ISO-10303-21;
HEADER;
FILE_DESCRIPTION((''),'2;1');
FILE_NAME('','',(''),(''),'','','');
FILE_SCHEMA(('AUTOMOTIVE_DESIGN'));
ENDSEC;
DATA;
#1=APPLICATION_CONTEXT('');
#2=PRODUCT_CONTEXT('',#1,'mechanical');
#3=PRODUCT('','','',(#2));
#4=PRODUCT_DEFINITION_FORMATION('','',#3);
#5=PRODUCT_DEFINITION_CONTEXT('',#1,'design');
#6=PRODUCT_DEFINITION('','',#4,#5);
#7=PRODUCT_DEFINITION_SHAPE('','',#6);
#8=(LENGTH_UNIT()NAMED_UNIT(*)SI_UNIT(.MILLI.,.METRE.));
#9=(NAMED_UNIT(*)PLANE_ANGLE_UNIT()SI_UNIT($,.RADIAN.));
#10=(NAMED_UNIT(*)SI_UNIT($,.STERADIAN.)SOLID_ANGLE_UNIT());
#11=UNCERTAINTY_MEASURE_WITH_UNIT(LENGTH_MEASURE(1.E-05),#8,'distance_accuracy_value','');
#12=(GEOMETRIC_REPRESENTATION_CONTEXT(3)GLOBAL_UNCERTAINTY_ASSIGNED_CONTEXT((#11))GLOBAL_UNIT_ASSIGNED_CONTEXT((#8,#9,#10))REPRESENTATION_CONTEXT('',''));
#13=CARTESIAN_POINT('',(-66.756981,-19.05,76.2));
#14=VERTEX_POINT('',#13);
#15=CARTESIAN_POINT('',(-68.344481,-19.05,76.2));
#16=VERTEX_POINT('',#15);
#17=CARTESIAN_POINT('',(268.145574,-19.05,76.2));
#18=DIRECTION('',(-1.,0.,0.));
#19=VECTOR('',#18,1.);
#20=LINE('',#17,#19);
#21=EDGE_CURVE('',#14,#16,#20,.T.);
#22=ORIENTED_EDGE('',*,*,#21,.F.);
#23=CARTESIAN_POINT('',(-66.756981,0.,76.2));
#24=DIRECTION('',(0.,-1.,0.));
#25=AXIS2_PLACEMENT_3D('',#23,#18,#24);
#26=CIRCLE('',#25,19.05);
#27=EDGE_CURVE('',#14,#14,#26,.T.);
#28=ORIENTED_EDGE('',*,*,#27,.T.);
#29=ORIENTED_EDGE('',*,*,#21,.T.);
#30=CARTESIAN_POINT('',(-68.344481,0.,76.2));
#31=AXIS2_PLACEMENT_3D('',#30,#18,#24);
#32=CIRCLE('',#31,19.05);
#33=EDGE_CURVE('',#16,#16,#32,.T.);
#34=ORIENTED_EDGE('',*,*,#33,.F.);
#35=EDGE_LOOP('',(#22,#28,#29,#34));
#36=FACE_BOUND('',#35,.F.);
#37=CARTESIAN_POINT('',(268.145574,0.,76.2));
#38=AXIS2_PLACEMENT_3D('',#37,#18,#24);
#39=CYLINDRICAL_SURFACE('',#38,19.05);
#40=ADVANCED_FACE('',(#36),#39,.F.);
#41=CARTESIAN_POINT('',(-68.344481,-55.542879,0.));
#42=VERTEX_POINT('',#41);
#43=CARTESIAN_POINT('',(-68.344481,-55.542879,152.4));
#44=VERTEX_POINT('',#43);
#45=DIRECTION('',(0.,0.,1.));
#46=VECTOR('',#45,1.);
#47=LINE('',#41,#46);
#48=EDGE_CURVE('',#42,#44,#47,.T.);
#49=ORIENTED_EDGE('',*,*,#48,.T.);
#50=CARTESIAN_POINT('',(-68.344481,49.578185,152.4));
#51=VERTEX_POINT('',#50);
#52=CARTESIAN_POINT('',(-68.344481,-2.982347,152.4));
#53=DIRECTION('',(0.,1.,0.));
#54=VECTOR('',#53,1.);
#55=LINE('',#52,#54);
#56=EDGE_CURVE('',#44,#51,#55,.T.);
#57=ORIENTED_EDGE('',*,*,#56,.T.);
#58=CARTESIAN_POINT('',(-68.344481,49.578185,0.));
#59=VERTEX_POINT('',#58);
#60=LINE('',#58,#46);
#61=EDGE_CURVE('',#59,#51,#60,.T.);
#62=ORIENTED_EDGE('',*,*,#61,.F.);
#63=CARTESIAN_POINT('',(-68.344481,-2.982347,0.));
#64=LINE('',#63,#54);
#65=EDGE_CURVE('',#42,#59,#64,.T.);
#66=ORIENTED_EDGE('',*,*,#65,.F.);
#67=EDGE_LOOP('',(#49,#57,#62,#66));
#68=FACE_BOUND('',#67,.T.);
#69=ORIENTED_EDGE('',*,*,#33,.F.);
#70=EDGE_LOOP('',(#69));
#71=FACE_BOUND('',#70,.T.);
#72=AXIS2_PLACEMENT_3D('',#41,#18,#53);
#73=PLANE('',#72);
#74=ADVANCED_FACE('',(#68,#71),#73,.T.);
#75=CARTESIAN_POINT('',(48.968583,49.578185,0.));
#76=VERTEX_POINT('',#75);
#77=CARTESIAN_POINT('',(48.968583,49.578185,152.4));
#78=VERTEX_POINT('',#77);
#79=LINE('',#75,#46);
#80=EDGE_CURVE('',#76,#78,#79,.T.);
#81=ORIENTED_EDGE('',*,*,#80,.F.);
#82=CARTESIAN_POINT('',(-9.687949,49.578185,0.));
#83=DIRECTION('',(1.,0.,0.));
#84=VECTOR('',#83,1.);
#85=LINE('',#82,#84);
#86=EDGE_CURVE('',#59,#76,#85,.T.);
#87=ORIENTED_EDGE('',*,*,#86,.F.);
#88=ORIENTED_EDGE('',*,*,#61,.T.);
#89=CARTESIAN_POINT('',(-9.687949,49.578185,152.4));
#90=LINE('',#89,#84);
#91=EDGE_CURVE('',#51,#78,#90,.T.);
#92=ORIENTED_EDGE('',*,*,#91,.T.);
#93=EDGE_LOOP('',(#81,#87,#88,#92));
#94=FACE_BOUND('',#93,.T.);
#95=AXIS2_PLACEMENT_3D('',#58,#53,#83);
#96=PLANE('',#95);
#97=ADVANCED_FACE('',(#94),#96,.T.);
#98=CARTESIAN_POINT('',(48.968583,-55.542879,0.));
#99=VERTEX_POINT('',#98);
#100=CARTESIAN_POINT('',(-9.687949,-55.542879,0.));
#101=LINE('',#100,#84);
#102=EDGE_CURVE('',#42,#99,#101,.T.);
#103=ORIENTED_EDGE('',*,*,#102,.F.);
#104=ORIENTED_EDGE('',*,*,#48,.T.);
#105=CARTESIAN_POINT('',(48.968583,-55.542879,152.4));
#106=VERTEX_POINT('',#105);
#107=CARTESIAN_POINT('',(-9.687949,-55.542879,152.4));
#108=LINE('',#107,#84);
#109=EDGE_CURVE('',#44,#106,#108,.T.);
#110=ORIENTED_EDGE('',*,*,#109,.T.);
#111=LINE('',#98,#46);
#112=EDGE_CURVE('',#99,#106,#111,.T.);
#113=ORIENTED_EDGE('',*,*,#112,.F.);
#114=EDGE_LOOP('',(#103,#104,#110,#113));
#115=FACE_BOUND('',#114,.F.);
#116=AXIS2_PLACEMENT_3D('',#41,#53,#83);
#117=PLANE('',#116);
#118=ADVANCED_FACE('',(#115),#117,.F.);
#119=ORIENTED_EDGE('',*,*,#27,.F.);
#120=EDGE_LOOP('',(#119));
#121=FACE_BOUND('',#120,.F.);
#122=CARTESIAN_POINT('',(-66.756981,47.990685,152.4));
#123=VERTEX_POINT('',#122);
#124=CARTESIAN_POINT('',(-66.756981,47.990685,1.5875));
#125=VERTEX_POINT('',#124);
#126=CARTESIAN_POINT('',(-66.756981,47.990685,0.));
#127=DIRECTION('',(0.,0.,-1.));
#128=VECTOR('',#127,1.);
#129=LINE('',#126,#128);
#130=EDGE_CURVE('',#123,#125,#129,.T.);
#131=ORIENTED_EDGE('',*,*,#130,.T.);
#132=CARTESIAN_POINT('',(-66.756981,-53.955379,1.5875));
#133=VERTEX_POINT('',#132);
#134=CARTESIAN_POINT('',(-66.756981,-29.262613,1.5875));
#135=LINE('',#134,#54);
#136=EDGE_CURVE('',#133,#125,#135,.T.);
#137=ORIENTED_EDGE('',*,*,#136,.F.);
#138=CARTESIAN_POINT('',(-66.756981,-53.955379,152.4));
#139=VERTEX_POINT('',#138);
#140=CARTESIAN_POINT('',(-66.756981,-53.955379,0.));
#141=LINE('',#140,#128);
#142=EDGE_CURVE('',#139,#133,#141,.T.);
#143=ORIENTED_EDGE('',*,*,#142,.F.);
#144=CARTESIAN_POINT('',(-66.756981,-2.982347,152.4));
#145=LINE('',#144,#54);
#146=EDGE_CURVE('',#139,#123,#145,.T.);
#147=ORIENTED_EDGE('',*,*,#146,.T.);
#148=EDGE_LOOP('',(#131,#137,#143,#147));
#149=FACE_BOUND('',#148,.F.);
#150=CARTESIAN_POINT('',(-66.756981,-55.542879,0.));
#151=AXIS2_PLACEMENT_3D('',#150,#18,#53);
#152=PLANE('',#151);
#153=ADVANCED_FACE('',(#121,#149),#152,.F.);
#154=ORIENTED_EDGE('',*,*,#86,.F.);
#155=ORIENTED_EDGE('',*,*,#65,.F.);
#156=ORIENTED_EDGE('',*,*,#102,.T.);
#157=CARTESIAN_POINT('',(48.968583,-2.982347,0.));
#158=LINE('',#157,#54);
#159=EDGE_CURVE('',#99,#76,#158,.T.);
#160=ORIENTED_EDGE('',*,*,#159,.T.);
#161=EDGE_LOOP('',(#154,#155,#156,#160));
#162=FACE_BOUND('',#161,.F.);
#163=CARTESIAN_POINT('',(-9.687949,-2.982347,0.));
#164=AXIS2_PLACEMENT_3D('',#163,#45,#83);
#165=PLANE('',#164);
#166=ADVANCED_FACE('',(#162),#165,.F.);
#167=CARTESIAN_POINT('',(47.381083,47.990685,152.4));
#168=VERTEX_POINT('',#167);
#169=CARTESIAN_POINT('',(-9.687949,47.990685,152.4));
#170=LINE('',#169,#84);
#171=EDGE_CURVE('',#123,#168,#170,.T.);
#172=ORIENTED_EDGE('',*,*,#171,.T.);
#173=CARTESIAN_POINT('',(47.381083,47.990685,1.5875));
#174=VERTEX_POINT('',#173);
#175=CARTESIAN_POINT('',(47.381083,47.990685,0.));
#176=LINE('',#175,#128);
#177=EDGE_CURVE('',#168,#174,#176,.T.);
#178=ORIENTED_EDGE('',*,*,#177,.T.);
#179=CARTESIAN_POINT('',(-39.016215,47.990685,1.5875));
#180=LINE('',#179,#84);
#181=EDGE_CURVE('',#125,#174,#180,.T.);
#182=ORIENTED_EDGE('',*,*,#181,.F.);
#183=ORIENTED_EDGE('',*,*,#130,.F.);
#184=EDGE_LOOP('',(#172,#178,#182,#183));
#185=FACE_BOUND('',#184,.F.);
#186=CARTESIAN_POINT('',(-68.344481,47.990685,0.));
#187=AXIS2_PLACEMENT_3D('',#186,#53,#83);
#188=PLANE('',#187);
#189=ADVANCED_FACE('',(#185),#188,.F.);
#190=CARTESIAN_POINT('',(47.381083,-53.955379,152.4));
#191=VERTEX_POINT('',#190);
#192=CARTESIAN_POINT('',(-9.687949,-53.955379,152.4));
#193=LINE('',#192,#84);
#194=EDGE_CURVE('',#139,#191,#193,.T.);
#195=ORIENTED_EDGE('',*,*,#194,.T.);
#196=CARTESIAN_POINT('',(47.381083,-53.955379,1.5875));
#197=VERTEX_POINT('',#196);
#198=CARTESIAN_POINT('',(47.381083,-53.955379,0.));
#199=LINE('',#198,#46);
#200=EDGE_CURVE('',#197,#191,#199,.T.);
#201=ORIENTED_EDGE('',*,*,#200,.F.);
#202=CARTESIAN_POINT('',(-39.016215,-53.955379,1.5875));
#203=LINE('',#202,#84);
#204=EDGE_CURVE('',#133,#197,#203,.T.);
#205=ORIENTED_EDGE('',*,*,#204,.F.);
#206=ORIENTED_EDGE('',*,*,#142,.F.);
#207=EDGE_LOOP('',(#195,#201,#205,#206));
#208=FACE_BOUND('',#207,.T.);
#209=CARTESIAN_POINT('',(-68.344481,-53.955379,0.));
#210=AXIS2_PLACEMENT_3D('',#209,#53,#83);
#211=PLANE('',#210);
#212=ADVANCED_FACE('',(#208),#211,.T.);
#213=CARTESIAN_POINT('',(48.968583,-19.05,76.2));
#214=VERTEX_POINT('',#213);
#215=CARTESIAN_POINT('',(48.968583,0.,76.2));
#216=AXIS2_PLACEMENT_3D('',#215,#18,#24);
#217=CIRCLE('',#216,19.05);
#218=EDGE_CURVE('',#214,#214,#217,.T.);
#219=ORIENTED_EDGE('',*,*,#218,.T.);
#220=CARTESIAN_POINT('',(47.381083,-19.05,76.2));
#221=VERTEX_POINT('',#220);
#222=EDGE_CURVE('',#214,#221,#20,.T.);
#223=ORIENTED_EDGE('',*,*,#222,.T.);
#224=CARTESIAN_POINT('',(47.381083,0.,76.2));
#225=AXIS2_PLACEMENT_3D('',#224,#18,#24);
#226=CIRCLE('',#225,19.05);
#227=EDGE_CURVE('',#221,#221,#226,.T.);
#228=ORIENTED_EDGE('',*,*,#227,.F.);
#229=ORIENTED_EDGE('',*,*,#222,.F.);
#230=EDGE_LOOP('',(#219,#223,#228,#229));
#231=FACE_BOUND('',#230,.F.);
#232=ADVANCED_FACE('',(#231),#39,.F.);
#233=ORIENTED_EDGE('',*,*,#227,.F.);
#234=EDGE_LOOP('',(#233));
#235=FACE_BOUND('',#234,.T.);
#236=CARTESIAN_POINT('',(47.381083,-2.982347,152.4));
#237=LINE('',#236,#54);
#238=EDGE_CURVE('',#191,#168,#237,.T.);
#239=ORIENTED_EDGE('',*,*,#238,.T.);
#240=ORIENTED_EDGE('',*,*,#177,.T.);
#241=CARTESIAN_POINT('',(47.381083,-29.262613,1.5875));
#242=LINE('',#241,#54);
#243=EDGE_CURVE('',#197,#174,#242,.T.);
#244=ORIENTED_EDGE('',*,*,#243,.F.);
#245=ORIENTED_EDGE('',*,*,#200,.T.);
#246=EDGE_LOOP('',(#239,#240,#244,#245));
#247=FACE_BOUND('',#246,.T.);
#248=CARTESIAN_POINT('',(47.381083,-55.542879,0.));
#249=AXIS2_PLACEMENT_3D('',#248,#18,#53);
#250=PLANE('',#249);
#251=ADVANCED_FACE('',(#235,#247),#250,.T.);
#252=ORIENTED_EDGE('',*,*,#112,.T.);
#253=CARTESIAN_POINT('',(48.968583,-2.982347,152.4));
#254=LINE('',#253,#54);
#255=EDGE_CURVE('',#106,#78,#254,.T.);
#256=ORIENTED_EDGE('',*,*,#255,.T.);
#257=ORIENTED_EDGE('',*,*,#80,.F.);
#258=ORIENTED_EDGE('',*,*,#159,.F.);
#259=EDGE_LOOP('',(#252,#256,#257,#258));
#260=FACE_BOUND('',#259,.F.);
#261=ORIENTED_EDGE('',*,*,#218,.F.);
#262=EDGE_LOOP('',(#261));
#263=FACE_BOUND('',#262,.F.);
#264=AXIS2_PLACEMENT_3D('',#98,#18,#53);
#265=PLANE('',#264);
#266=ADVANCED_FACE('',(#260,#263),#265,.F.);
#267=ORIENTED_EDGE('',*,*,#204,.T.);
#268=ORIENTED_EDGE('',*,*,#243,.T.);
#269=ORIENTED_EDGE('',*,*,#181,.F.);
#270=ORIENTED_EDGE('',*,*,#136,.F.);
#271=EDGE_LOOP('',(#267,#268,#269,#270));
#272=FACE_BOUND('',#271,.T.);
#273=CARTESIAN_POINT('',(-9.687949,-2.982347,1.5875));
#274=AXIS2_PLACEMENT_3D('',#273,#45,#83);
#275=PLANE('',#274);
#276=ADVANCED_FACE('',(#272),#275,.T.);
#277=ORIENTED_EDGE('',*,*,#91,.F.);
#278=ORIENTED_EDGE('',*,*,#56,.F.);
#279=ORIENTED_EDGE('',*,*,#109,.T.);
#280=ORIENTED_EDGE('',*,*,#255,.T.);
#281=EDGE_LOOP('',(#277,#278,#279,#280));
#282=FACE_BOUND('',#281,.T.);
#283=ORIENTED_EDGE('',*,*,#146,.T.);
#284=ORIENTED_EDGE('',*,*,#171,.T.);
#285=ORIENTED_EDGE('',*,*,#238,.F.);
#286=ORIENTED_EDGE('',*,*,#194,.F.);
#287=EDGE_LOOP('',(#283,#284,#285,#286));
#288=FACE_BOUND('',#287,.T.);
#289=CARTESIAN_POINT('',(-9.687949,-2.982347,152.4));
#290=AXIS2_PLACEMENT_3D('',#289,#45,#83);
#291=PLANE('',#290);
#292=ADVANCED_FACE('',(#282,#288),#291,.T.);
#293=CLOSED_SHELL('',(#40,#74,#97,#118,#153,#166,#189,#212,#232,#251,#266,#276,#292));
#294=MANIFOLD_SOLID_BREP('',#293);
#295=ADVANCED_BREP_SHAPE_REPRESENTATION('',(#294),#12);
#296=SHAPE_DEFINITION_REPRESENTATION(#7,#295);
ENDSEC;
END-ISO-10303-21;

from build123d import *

# Parameters (mm, degrees)
F0_W     = 117.313064
F0_H     = 105.121065
F1_DEPTH = 152.4
F2_T     = -1.5875
F4_D     = 38.1


with BuildPart() as f1:
    # F0 (on Top) → F1 (new body)
    with BuildSketch(Plane.XY):
        with Locations((-9.687949, -2.982347)):
            Rectangle(F0_W, F0_H)
    extrude(amount=F1_DEPTH)

    # F2
    f2_openings = [f1.faces().sort_by_distance(p)[0] for p in [
        (-9.687949, -2.982346, 152.4),
    ]]
    offset(amount=F2_T, openings=f2_openings)

    # F4 (through all)
    with Locations(Plane.YZ.offset(48.968583)):
        with Locations((0, 76.2)):
            Hole(F4_D / 2)


solid = f1.part
